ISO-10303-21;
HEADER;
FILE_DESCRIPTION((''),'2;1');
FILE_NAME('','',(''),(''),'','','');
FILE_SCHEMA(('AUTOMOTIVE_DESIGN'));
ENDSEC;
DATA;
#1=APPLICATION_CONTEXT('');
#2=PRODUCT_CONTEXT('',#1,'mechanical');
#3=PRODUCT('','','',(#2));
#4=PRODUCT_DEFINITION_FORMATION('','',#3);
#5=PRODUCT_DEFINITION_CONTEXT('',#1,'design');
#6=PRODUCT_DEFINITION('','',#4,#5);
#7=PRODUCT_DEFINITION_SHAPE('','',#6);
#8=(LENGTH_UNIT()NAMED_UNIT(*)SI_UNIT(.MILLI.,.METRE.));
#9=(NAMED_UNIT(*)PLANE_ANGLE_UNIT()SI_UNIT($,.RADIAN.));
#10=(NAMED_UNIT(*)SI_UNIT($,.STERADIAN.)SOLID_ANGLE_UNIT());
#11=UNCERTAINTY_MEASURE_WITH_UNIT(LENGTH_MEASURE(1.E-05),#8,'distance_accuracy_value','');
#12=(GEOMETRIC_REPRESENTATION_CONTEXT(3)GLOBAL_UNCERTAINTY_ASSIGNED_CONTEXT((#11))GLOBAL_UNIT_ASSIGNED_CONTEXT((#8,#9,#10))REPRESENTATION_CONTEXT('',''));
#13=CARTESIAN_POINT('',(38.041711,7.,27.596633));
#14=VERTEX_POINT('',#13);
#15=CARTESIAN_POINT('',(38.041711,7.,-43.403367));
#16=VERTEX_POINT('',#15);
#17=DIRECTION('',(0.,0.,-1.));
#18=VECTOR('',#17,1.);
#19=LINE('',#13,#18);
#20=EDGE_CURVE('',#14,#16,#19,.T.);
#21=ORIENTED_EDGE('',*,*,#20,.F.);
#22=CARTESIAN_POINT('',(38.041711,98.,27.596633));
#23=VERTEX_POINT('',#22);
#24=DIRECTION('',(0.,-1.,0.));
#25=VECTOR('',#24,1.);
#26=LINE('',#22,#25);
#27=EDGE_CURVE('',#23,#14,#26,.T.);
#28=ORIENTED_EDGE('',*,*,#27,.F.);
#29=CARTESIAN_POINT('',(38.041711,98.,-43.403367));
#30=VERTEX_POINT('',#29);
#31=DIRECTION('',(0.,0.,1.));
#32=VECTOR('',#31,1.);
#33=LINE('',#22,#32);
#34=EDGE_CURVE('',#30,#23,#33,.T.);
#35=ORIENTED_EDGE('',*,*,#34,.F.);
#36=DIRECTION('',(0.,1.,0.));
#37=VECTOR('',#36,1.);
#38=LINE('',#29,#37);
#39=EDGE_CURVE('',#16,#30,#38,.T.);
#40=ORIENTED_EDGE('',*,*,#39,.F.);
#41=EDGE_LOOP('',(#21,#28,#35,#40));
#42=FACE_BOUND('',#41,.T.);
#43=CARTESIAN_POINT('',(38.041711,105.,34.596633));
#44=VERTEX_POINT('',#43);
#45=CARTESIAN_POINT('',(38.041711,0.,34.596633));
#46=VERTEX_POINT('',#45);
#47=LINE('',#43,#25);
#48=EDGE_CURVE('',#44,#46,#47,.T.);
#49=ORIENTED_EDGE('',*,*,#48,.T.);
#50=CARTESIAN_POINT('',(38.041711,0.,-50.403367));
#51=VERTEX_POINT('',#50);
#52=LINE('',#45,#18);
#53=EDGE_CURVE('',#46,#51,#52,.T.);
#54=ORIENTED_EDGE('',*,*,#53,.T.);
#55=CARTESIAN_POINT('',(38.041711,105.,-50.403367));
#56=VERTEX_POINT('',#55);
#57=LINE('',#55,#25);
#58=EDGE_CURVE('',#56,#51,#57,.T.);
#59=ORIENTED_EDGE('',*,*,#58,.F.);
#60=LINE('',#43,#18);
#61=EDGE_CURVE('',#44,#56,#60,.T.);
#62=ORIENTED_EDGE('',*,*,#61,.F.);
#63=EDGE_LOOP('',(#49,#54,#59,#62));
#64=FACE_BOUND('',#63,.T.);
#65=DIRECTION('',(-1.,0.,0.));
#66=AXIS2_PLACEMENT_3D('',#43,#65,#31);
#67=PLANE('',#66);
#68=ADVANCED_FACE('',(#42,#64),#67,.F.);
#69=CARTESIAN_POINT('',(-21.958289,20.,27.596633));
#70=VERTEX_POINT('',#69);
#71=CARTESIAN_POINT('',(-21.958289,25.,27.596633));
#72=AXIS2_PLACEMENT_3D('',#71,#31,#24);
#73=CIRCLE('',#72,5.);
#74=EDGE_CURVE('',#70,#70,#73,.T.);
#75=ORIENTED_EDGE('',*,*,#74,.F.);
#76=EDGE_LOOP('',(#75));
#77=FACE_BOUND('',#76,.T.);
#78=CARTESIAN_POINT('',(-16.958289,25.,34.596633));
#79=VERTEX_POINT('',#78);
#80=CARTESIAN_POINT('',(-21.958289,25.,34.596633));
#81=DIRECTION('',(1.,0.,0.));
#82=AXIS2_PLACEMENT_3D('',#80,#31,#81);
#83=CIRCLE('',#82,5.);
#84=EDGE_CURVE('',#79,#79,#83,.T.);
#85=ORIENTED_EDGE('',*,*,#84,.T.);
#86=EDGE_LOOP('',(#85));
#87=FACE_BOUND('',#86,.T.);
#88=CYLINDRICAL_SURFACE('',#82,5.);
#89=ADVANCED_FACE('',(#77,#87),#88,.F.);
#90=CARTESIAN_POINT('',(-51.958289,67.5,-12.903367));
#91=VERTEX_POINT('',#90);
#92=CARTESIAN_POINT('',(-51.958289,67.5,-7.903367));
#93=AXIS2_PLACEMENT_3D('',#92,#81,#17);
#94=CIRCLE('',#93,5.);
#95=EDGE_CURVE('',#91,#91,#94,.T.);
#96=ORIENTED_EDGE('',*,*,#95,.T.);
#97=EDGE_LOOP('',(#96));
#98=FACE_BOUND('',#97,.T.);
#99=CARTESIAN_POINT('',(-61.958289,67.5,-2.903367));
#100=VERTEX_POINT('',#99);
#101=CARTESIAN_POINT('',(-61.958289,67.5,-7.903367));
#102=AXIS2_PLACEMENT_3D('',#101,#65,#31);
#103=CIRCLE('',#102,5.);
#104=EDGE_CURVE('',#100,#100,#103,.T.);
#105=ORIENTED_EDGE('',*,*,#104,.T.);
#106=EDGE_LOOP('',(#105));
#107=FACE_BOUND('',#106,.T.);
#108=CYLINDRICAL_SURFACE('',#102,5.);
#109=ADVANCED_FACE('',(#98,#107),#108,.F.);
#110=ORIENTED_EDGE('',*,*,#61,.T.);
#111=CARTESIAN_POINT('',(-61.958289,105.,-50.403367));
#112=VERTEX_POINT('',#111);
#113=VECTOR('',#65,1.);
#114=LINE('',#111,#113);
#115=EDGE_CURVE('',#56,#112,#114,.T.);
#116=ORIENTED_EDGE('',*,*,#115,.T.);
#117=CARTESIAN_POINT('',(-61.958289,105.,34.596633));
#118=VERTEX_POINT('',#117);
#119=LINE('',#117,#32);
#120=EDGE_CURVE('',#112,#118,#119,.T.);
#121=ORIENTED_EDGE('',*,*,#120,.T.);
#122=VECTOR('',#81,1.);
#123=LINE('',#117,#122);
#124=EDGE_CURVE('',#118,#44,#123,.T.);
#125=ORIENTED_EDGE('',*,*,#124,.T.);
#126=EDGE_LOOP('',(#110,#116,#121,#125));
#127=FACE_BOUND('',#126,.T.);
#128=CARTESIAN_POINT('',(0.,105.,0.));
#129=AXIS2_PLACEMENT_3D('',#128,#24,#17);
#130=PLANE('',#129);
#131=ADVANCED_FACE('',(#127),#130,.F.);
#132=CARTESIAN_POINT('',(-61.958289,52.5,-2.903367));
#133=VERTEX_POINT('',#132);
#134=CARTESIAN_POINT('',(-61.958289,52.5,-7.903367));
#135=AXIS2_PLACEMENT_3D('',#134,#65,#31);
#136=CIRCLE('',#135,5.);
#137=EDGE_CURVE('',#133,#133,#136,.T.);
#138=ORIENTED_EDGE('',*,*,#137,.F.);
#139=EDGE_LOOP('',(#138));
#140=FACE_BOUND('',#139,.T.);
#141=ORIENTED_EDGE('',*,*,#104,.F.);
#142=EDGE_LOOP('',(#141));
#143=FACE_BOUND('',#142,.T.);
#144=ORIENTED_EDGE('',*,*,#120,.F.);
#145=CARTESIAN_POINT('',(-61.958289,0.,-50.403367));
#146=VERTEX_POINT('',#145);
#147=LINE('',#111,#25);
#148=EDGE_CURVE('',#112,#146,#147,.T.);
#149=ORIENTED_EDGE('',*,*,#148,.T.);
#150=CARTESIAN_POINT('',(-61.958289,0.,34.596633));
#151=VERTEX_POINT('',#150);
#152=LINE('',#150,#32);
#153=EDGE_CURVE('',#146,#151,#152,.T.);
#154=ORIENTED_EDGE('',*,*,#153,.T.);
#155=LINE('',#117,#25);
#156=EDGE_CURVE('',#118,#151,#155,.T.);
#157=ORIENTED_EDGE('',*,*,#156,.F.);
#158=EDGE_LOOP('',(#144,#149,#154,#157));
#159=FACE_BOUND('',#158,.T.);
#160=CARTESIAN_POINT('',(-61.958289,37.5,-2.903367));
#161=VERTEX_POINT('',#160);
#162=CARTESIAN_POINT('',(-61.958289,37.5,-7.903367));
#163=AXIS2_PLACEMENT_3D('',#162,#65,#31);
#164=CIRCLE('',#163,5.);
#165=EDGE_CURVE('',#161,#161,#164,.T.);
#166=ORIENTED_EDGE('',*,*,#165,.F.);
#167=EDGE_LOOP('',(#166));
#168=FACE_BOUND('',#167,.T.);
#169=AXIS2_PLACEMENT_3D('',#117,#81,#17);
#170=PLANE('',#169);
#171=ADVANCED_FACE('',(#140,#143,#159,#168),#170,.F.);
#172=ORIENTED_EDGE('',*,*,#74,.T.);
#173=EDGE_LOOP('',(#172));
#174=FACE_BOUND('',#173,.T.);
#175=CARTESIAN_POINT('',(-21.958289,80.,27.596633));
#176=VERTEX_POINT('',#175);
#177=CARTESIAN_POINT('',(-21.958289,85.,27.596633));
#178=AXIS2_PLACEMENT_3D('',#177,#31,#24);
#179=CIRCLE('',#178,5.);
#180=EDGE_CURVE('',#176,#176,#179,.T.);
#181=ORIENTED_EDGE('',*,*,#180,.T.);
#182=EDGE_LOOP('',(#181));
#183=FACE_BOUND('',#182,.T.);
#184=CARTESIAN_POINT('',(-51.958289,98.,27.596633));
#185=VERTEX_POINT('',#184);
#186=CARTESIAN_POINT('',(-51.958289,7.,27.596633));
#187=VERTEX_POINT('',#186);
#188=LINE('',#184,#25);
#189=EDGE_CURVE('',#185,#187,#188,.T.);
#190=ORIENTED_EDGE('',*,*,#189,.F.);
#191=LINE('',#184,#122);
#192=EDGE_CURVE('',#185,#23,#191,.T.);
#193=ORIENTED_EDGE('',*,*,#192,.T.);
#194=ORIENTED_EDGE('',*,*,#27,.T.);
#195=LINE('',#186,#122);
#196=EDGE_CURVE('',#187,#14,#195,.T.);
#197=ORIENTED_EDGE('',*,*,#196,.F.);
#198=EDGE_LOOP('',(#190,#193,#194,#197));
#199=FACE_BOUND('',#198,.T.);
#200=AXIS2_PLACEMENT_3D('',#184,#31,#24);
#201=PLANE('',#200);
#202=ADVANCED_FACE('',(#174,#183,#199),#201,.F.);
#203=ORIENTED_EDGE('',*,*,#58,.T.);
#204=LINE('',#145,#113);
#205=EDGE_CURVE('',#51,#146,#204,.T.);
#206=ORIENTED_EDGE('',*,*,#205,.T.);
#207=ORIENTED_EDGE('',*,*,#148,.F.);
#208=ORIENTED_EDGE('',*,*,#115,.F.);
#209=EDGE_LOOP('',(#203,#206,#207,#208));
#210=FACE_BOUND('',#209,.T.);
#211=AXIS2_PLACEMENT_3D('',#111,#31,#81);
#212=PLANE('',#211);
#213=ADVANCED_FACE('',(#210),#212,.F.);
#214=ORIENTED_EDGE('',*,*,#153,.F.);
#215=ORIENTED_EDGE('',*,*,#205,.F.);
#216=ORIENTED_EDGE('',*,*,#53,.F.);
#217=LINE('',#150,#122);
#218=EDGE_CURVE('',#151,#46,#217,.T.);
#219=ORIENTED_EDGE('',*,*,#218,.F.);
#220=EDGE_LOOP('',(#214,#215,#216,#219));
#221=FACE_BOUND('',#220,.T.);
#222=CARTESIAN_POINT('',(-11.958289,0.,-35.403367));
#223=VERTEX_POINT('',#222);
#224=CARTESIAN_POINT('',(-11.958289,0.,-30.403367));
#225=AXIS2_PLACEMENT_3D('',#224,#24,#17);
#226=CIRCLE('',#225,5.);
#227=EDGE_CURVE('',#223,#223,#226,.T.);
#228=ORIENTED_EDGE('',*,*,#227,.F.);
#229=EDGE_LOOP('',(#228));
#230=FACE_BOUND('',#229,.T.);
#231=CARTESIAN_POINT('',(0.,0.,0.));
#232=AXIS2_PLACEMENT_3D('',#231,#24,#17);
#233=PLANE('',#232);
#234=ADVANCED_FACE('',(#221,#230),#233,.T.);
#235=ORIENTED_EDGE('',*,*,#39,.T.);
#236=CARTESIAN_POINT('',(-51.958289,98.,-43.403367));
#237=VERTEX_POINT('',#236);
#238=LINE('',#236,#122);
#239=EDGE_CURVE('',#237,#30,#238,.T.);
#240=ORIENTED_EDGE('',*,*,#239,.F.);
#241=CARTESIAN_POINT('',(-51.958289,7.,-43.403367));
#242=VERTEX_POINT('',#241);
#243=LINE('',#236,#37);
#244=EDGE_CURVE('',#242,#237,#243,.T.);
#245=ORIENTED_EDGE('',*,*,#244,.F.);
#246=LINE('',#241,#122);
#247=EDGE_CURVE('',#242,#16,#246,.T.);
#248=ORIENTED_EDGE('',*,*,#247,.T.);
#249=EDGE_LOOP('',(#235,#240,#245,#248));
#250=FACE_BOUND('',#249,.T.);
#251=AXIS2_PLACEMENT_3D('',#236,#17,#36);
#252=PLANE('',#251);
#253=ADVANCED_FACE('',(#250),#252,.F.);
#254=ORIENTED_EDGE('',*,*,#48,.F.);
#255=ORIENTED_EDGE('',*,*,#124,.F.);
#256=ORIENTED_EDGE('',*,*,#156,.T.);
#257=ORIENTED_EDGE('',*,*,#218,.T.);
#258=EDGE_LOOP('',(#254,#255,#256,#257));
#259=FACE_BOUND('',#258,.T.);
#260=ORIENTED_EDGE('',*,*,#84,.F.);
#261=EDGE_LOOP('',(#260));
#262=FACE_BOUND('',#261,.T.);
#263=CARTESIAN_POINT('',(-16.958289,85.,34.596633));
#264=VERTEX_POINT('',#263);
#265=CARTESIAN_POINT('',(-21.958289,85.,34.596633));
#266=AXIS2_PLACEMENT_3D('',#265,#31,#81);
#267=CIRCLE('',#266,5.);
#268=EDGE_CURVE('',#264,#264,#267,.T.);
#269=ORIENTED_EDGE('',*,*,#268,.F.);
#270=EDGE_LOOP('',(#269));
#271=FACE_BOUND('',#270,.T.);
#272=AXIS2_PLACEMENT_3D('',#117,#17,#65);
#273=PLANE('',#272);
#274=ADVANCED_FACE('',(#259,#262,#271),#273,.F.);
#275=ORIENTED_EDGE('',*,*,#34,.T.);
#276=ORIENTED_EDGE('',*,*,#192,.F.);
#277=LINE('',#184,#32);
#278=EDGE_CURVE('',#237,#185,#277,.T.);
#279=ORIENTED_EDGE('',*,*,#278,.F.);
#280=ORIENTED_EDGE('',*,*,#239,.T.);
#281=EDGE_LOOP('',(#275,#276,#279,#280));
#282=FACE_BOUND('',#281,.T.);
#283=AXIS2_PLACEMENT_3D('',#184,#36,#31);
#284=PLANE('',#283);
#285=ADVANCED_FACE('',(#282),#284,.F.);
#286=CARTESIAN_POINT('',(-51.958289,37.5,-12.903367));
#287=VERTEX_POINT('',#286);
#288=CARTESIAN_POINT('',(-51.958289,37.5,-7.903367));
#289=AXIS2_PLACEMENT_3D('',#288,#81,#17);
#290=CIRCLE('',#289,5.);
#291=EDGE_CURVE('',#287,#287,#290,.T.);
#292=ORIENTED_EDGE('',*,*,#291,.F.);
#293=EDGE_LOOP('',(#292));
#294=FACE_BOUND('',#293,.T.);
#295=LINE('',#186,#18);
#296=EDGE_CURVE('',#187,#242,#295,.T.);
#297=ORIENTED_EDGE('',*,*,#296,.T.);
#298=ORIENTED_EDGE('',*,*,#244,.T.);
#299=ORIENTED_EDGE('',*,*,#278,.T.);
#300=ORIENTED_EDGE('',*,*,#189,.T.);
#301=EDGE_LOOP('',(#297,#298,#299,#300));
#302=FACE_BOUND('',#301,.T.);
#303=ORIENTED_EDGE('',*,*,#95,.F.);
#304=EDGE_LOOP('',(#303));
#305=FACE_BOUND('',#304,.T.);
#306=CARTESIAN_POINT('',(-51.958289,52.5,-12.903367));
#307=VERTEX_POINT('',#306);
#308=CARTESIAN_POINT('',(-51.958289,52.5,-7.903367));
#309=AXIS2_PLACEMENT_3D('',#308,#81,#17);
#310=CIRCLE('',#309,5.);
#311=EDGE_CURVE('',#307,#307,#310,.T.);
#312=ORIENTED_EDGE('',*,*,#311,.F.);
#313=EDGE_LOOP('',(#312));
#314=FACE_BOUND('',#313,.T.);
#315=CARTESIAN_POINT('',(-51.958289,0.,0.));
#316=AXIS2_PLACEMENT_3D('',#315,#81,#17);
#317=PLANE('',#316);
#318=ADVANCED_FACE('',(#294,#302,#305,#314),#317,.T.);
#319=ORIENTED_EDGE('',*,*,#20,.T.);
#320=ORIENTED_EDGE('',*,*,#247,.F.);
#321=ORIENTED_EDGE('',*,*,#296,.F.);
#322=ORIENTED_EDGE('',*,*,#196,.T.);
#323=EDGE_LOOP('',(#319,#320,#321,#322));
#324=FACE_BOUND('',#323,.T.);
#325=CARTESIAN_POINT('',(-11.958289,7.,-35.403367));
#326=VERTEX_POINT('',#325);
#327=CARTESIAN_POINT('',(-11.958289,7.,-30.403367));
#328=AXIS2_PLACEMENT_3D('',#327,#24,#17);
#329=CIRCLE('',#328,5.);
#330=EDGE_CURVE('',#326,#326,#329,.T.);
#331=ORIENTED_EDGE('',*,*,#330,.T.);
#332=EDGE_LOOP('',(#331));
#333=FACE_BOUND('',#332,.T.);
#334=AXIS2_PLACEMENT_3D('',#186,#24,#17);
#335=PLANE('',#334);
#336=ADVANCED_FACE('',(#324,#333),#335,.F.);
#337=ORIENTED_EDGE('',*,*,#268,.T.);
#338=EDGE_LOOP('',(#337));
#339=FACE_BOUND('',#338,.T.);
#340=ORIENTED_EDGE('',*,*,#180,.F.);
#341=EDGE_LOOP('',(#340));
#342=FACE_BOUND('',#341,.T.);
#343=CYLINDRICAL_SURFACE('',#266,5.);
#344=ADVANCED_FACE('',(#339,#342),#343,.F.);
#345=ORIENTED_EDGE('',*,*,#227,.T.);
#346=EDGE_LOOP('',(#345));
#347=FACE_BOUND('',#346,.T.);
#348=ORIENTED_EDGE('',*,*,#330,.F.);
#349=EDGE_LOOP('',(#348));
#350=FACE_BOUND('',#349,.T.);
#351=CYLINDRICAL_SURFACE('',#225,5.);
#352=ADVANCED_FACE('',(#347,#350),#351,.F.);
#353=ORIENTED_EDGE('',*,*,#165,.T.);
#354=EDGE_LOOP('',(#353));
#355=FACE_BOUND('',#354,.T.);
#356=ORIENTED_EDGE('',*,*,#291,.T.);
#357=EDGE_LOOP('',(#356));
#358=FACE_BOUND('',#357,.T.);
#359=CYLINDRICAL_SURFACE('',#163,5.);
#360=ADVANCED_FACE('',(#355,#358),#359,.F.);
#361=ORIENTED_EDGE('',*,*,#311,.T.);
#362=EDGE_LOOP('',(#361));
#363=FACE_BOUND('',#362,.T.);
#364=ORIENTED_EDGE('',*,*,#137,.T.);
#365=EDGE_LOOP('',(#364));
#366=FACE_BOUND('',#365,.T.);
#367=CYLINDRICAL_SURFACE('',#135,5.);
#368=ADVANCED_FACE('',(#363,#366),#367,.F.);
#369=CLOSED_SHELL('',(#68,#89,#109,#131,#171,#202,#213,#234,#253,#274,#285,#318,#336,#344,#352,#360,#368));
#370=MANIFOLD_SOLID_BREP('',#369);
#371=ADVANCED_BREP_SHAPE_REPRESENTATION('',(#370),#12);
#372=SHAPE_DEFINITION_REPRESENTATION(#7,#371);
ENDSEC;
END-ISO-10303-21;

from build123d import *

# Parameters (mm, degrees)
SKETCH1_W                        = 100
SKETCH1_H                        = 85
BOSS_EXTRUDE1_DEPTH              = 105
SKETCH2_W                        = 71
SKETCH2_H                        = 91
CUT_EXTRUDE1_DEPTH               = 90
M10X1_0_TAPPED_HOLE1_D           = 9
M10X1_0_TAPPED_HOLE1_DEPTH       = 23
M10X1_0_TAPPED_HOLE1_CBORE_D     = 10
M10X1_0_TAPPED_HOLE1_CBORE_DEPTH = 20
M10X1_0_TAPPED_HOLE1_TIP         = 2.703872786
M10X1_0_TAPPED_HOLE2_D           = 9
M10X1_0_TAPPED_HOLE2_DEPTH       = 23
M10X1_0_TAPPED_HOLE2_CBORE_D     = 10
M10X1_0_TAPPED_HOLE2_CBORE_DEPTH = 20
M10X1_0_TAPPED_HOLE2_TIP         = 2.703872786
M10X1_0_TAPPED_HOLE3_D           = 9
M10X1_0_TAPPED_HOLE3_DEPTH       = 23
M10X1_0_TAPPED_HOLE3_CBORE_D     = 10
M10X1_0_TAPPED_HOLE3_CBORE_DEPTH = 20
M10X1_0_TAPPED_HOLE3_TIP         = 2.703872786


with BuildPart() as part:
    # Sketch1 → Boss-Extrude1 (new body)
    with BuildSketch(Plane(origin=(0, 0, 0), x_dir=(1, 0, 0), z_dir=(0, 1, 0))):
        with Locations((-11.958288623, 7.903366629)):
            Rectangle(SKETCH1_W, SKETCH1_H)
    extrude(amount=BOSS_EXTRUDE1_DEPTH)

    # Sketch2 → Cut-Extrude1 (cut)
    with BuildSketch(Plane(origin=(38.041711377, 0, 0), x_dir=(0, 0, -1), z_dir=(1, 0, 0))):
        with Locations((7.903366629, 52.5)):
            Rectangle(SKETCH2_W, SKETCH2_H)
    extrude(amount=-CUT_EXTRUDE1_DEPTH, mode=Mode.SUBTRACT)

    # M10x1.0 Tapped Hole1
    with Locations(Plane(origin=(-21.958288623, 85, 34.596633371), x_dir=(1, 0, 0), z_dir=(0, 0, 1))):
        with Locations((0, 0), (0, -60)):
            CounterBoreHole(M10X1_0_TAPPED_HOLE1_D / 2, M10X1_0_TAPPED_HOLE1_CBORE_D / 2, M10X1_0_TAPPED_HOLE1_CBORE_DEPTH, depth=M10X1_0_TAPPED_HOLE1_DEPTH)
            with Locations((0, 0, -(M10X1_0_TAPPED_HOLE1_DEPTH + M10X1_0_TAPPED_HOLE1_TIP / 2))):  # 118° drill point
                Cone(0, M10X1_0_TAPPED_HOLE1_D / 2, M10X1_0_TAPPED_HOLE1_TIP, mode=Mode.SUBTRACT)

    # M10x1.0 Tapped Hole2
    with Locations(Plane(origin=(-11.958288623, 0, -30.403366629), x_dir=(0, 0, -1), z_dir=(0, -1, 0))):
        with Locations((0, 0)):
            CounterBoreHole(M10X1_0_TAPPED_HOLE2_D / 2, M10X1_0_TAPPED_HOLE2_CBORE_D / 2, M10X1_0_TAPPED_HOLE2_CBORE_DEPTH, depth=M10X1_0_TAPPED_HOLE2_DEPTH)
            with Locations((0, 0, -(M10X1_0_TAPPED_HOLE2_DEPTH + M10X1_0_TAPPED_HOLE2_TIP / 2))):  # 118° drill point
                Cone(0, M10X1_0_TAPPED_HOLE2_D / 2, M10X1_0_TAPPED_HOLE2_TIP, mode=Mode.SUBTRACT)

    # M10x1.0 Tapped Hole3
    with Locations(Plane.ZY.offset(61.958288623)):
        with Locations((-7.903366629, 37.5), (-7.903366629, 52.5), (-7.903366629, 67.5)):
            CounterBoreHole(M10X1_0_TAPPED_HOLE3_D / 2, M10X1_0_TAPPED_HOLE3_CBORE_D / 2, M10X1_0_TAPPED_HOLE3_CBORE_DEPTH, depth=M10X1_0_TAPPED_HOLE3_DEPTH)
            with Locations((0, 0, -(M10X1_0_TAPPED_HOLE3_DEPTH + M10X1_0_TAPPED_HOLE3_TIP / 2))):  # 118° drill point
                Cone(0, M10X1_0_TAPPED_HOLE3_D / 2, M10X1_0_TAPPED_HOLE3_TIP, mode=Mode.SUBTRACT)


solid = part.part
